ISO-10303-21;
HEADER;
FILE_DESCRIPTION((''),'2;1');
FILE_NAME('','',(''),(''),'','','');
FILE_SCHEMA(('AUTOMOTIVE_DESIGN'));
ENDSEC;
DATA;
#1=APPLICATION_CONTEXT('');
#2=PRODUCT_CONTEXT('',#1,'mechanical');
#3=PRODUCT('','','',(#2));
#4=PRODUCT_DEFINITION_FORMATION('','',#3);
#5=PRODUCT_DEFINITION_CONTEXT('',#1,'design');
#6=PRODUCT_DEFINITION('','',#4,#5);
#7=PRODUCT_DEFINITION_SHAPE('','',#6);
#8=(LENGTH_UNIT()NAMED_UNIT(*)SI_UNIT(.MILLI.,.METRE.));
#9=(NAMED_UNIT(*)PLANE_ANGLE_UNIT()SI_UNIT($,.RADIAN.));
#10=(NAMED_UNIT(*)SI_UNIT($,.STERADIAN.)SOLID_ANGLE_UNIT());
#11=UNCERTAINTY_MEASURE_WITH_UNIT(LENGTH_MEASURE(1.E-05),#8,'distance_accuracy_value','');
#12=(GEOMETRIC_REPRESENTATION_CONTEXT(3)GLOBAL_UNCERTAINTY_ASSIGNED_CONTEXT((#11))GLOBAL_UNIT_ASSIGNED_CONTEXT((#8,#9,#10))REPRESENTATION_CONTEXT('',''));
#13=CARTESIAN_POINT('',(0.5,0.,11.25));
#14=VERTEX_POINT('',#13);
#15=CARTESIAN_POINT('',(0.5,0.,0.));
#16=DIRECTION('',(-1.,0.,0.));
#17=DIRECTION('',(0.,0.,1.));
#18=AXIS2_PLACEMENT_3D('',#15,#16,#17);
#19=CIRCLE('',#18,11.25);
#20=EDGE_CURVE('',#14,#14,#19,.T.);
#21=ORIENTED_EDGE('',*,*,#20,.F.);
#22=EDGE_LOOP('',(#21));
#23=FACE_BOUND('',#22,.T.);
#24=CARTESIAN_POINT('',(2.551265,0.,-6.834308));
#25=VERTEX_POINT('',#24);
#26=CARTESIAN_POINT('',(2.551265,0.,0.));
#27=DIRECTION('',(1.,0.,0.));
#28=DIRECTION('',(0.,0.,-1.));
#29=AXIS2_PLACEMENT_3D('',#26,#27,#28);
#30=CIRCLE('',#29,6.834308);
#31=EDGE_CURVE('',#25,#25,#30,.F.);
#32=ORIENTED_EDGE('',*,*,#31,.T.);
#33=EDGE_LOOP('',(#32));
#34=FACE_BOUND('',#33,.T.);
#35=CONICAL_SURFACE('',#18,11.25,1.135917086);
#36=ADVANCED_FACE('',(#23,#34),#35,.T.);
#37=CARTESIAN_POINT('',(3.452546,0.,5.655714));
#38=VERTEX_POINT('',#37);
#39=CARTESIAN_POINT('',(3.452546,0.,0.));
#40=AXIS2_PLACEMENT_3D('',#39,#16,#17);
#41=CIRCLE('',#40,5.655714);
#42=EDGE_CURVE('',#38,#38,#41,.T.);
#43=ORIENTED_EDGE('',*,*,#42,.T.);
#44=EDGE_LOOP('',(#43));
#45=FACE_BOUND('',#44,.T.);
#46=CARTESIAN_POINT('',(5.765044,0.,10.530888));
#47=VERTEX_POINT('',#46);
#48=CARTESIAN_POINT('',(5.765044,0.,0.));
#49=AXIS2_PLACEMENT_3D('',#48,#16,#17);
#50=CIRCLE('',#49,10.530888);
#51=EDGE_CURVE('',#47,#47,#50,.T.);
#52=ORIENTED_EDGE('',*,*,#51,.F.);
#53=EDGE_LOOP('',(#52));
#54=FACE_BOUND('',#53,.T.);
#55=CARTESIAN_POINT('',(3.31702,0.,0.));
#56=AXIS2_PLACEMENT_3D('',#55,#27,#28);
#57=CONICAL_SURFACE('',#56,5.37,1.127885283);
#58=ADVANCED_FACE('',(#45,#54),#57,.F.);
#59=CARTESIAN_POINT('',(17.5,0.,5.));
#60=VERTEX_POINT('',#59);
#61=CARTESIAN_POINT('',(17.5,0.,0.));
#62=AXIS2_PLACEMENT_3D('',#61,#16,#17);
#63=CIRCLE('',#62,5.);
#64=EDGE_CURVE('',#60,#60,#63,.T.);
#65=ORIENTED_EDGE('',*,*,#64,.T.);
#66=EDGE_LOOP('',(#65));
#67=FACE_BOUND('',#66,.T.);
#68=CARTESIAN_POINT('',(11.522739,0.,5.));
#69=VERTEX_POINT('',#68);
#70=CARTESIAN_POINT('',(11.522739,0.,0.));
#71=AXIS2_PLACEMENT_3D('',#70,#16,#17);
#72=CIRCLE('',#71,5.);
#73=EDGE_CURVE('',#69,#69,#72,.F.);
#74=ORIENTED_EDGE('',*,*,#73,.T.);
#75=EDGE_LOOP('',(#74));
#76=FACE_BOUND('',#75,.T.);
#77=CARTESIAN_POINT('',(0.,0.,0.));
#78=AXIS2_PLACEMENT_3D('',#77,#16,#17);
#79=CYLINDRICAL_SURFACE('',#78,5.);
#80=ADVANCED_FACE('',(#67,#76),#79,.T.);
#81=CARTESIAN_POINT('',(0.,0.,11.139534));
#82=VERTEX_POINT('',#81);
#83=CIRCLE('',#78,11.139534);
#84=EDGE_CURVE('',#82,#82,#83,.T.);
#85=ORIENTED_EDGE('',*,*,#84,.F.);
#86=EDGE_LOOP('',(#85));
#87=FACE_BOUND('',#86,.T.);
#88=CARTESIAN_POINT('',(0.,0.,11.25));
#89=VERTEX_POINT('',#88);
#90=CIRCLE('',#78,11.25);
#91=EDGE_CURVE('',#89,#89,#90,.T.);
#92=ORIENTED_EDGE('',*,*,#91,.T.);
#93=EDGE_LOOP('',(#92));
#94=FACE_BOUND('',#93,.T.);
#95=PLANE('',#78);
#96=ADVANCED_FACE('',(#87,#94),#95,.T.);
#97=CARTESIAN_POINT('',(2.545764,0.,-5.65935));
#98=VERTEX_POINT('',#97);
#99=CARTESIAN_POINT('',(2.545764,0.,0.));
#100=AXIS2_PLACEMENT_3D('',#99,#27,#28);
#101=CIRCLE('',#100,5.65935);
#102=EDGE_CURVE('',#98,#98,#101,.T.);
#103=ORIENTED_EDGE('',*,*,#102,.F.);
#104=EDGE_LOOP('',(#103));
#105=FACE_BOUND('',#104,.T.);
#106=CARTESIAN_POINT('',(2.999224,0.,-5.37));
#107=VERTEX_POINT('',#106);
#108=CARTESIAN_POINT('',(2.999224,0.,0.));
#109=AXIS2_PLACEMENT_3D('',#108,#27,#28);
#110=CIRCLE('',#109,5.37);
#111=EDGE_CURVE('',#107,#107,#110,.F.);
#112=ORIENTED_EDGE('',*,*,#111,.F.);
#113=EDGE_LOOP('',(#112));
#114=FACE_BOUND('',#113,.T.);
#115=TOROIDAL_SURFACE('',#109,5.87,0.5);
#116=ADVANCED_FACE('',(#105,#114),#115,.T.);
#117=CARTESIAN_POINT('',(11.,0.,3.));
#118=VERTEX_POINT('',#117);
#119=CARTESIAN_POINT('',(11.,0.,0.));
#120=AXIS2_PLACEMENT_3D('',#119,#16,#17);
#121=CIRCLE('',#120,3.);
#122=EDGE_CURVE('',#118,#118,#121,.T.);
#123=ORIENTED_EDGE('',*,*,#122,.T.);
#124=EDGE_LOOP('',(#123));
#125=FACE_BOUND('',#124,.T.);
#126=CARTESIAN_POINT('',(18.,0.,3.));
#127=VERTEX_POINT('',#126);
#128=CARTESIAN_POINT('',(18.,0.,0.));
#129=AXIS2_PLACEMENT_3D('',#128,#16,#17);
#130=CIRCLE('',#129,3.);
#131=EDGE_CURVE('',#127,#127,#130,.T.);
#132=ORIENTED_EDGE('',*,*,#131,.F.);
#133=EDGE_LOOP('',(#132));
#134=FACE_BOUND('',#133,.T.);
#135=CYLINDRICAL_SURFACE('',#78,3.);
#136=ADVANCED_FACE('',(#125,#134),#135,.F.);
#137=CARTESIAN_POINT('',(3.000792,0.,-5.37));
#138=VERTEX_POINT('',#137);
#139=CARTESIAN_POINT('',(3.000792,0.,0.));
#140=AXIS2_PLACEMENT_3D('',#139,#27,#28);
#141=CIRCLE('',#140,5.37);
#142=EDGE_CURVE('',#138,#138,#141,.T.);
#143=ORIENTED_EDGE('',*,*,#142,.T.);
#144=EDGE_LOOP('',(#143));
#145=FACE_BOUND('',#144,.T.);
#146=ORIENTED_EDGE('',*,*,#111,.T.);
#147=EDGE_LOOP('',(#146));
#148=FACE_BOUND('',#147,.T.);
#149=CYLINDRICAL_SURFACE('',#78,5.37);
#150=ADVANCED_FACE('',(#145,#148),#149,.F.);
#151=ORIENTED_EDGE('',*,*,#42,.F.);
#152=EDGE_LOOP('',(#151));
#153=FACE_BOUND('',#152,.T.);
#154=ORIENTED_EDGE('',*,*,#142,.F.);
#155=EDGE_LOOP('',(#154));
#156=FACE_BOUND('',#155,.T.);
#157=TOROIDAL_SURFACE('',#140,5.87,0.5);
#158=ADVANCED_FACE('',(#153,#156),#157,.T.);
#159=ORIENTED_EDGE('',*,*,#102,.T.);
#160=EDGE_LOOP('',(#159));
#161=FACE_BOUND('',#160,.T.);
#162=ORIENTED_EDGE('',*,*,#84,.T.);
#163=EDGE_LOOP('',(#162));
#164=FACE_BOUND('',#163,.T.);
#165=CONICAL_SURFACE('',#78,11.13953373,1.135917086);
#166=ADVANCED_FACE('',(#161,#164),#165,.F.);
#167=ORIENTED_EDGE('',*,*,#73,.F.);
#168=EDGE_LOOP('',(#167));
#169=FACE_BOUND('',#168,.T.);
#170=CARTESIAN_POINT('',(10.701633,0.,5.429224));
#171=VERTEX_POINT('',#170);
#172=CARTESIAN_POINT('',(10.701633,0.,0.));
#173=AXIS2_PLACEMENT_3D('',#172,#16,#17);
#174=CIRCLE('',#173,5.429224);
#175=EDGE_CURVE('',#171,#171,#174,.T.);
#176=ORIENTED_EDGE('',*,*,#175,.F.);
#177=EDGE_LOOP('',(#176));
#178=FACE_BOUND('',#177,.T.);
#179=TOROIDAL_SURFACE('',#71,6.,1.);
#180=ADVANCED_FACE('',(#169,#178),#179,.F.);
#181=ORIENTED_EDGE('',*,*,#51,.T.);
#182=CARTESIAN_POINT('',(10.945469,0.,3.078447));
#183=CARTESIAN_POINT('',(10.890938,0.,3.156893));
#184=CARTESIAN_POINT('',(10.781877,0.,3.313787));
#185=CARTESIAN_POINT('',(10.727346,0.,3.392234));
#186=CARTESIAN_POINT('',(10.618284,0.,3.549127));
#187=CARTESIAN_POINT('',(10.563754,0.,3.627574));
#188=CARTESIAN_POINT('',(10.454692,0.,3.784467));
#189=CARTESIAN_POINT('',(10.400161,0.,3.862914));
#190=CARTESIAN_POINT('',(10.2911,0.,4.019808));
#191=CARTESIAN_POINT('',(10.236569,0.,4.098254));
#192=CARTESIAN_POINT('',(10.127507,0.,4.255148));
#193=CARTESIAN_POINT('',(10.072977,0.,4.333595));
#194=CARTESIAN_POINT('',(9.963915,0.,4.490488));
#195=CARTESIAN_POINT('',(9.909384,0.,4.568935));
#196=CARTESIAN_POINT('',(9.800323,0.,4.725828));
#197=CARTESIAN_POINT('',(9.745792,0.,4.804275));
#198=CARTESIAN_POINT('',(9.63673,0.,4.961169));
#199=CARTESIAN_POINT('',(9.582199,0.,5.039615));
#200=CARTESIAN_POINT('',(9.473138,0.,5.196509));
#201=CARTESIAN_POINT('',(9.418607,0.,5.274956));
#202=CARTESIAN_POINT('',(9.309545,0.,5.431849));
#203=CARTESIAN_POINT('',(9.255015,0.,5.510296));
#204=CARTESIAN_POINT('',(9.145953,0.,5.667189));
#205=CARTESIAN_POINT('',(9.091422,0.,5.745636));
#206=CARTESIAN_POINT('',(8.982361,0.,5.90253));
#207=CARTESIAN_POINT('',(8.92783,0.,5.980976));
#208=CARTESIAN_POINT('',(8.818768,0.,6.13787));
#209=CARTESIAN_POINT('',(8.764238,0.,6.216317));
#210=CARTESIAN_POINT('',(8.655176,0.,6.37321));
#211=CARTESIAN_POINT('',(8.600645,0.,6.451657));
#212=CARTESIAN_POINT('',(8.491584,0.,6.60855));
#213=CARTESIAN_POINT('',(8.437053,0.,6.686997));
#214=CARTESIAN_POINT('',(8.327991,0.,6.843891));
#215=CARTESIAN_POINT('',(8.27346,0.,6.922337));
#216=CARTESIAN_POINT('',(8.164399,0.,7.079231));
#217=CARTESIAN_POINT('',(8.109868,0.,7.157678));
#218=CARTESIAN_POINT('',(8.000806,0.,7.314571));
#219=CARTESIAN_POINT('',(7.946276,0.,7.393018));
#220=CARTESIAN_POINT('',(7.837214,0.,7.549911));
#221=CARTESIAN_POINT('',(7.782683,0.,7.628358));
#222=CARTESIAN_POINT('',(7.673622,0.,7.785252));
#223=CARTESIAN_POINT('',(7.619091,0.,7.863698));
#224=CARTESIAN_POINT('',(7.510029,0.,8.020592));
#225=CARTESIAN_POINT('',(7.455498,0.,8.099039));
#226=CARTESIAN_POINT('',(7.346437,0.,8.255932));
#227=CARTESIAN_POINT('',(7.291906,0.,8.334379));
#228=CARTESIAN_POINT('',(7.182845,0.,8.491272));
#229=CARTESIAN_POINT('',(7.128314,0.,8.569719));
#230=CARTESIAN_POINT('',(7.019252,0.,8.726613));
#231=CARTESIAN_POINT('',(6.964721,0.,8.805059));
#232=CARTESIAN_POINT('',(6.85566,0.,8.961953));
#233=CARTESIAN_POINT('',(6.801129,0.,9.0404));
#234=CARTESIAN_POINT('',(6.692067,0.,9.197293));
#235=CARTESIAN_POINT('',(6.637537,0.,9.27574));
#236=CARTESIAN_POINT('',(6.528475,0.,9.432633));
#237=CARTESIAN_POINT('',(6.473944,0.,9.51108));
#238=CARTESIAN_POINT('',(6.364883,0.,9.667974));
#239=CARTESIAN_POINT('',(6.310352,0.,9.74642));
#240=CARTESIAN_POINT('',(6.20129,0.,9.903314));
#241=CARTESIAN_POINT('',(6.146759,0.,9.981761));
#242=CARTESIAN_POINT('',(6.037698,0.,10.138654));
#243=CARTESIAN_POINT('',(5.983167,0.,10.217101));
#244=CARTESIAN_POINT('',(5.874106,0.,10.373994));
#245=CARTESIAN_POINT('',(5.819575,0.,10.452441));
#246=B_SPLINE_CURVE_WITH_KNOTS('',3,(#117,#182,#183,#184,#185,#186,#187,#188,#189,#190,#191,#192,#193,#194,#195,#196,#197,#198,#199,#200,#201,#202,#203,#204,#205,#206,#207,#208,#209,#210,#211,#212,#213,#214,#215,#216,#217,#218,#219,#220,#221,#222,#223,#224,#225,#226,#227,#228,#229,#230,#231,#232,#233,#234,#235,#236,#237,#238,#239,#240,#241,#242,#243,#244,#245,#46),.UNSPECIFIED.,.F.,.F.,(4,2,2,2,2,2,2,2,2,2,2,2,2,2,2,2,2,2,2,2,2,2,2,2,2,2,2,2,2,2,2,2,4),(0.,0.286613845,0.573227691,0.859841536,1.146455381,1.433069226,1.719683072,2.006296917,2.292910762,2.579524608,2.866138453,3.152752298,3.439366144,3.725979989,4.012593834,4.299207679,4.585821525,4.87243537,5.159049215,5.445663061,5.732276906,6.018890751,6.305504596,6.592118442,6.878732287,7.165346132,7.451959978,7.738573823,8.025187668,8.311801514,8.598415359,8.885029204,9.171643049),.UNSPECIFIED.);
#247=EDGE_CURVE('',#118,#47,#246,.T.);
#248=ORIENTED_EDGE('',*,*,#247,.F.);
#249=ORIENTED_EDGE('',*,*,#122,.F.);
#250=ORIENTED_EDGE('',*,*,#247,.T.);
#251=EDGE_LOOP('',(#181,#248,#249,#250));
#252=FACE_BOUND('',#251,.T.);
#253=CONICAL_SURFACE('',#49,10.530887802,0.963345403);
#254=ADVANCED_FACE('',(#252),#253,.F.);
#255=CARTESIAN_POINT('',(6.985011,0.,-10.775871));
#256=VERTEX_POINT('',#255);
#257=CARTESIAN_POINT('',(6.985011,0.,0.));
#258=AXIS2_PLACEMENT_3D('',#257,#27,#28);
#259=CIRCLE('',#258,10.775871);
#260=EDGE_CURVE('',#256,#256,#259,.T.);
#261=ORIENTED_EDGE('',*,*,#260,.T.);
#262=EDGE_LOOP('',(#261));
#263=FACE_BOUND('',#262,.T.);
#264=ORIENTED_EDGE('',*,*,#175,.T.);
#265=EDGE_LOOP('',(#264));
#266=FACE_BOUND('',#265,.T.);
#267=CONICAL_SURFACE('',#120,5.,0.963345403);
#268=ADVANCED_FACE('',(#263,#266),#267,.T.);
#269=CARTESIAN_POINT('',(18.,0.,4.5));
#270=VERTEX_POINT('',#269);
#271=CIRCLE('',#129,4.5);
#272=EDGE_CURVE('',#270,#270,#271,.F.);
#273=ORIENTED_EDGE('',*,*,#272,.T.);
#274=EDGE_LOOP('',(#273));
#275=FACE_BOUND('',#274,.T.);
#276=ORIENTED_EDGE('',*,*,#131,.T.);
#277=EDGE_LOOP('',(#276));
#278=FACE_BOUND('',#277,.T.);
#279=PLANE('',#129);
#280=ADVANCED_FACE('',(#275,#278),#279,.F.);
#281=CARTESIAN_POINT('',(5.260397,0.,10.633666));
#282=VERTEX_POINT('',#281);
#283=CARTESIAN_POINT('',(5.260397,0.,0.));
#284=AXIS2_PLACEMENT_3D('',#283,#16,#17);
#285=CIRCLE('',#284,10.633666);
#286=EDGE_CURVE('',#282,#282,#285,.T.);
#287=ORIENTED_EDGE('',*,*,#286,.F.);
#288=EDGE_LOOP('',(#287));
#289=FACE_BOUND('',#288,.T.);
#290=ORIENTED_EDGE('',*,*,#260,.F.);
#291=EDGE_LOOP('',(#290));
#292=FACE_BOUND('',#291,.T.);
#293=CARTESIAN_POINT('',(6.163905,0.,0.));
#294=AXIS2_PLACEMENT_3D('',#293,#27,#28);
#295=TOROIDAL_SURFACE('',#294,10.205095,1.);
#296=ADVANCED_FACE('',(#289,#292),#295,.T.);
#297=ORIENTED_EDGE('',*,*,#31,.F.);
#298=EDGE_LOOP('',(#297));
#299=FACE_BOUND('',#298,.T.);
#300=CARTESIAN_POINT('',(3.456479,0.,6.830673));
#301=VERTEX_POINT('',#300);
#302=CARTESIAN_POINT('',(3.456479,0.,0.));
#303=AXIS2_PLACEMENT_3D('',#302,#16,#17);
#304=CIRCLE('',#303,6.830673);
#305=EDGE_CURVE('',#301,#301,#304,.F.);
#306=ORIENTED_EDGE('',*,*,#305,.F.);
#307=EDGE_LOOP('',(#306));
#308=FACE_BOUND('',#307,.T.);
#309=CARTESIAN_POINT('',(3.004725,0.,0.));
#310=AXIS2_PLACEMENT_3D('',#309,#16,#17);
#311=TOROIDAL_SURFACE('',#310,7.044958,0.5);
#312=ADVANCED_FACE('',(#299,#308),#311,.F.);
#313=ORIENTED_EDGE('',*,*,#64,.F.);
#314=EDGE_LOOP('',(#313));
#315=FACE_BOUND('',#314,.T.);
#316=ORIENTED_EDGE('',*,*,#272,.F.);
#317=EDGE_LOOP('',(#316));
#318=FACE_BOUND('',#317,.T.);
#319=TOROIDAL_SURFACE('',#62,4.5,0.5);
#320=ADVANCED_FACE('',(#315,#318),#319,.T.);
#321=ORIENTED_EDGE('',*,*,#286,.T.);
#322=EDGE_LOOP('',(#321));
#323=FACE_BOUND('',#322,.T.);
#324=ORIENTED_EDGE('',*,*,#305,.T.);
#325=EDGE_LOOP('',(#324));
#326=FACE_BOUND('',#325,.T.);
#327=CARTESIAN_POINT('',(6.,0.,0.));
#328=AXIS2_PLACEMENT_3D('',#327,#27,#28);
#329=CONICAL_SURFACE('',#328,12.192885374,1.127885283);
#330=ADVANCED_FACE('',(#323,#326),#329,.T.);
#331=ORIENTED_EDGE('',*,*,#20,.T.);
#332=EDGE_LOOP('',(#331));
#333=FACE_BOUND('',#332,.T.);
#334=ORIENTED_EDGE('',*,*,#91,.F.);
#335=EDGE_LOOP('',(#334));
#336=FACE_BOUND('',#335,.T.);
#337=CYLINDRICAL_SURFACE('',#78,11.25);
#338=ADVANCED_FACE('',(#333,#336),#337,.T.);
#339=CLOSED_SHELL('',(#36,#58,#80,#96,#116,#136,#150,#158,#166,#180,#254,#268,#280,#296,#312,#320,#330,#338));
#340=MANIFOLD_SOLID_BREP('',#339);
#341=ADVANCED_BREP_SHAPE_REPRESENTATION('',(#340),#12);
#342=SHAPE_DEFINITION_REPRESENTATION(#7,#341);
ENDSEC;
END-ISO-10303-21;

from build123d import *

# Parameters (mm, degrees)
SKETCH_1_W = 7
SKETCH_1_H = 2
FILLET_1_R = 1
FILLET_2_R = 1
FILLET_3_R = 0.5
FILLET_4_R = 0.5
FILLET_5_R = 0.5


with BuildPart() as part:
    # Эскиз1 → Повернуть1 (revolve)
    with BuildSketch(Plane.XY, mode=Mode.PRIVATE) as revolve_1_sk:
        Polygon((0, 11.25), (0, 11.13953373), (2.680178173, 5.37), (3.317019891, 5.37), (5.765043922, 10.530887802), (11, 3), (11, 5), (6, 12.192885374), (3, 5.868330053), (0.5, 11.25), align=None)
        with Locations((14.5, 4)):
            Rectangle(SKETCH_1_W, SKETCH_1_H)
    revolve(revolve_1_sk.sketch.rotate(Axis((0, 0, 0), (1, 0, 0)), 90), axis=Axis((0, 0, 0), (1, 0, 0)))

    # Скругление1
    fillet_1_edges = [part.edges().sort_by_distance(p)[0] for p in [
        (6, 0, -12.192885374),
    ]]
    fillet(fillet_1_edges, radius=FILLET_1_R)

    # Скругление2
    fillet_2_edges = [part.edges().sort_by_distance(p)[0] for p in [
        (11, 0, -5),
    ]]
    fillet(fillet_2_edges, radius=FILLET_2_R)

    # Скругление3
    fillet_3_edges = [part.edges().sort_by_distance(p)[0] for p in [
        (3, 0, -5.868330053),
    ]]
    fillet(fillet_3_edges, radius=FILLET_3_R)

    # Скругление4
    fillet_4_edges = [part.edges().sort_by_distance(p)[0] for p in [
        (3.317019891, 0, -5.37),
        (2.680178173, 0, -5.37),
    ]]
    fillet(fillet_4_edges, radius=FILLET_4_R)

    # Скругление5
    fillet_5_edges = [part.edges().sort_by_distance(p)[0] for p in [
        (18, 0, -5),
    ]]
    fillet(fillet_5_edges, radius=FILLET_5_R)


solid = part.part
